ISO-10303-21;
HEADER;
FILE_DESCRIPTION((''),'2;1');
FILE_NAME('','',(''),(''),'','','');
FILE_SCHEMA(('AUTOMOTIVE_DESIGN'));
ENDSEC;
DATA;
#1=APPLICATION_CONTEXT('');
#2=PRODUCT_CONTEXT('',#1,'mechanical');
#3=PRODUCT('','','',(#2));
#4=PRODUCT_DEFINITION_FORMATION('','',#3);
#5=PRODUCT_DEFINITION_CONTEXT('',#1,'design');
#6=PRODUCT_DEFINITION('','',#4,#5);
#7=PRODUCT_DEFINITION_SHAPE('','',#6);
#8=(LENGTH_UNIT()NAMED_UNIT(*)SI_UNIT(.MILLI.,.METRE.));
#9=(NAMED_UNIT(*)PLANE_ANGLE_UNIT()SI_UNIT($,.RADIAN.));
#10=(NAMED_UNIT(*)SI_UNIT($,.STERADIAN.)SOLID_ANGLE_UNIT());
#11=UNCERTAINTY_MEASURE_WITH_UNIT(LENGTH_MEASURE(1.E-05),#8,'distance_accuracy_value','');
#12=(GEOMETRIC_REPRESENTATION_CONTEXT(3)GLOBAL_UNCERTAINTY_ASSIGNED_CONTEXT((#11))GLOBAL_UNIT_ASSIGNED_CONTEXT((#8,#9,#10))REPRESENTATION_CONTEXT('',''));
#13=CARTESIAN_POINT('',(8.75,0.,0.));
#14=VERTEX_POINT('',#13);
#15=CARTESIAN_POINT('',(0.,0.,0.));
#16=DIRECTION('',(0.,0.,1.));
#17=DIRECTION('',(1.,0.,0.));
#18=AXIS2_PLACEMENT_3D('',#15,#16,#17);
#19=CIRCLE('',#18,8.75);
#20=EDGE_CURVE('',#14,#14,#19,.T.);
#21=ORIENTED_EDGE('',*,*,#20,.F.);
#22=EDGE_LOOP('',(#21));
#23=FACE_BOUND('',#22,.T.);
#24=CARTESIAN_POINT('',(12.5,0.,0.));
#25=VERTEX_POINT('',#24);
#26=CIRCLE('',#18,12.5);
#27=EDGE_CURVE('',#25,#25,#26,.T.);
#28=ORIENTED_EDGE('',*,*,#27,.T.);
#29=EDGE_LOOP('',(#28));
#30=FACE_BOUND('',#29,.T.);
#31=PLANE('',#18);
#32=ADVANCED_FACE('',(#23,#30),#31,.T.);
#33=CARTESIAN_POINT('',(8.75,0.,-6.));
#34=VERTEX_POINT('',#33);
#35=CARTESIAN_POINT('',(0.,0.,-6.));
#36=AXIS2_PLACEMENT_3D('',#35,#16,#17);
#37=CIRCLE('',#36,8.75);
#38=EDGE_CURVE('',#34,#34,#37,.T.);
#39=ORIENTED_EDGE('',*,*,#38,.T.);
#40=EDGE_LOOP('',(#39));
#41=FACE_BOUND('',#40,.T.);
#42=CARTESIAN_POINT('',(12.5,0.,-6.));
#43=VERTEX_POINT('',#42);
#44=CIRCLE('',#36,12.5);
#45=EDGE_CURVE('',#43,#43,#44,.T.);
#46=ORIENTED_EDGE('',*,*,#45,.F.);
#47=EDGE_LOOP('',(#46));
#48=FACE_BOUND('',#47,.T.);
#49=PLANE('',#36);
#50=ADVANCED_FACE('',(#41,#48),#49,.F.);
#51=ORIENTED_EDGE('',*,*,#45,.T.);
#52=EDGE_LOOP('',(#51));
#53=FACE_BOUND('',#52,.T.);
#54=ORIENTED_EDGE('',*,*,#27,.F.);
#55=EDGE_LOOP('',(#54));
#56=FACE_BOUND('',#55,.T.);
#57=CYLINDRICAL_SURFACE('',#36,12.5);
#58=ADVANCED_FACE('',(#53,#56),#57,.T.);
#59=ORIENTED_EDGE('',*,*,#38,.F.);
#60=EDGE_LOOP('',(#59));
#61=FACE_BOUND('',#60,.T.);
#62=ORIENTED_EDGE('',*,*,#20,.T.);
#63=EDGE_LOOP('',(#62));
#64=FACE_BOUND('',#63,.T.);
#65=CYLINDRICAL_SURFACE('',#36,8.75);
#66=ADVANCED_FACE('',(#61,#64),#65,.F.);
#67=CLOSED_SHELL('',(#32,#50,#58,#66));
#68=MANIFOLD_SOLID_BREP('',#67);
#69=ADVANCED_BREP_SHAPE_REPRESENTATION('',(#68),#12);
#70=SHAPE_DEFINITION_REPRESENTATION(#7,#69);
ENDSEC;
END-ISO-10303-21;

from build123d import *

# Parameters (mm, degrees)
SKETCH_1_R      = 12.5
SKETCH_1_R_2    = 8.75
EXTRUDE_1_DEPTH = 6


with BuildPart() as part:
    # Эскиз1 → Вытянуть1 (new body)
    with BuildSketch(Plane.XY):
        Circle(SKETCH_1_R)
        Circle(SKETCH_1_R_2, mode=Mode.SUBTRACT)
    extrude(amount=-EXTRUDE_1_DEPTH)


solid = part.part
